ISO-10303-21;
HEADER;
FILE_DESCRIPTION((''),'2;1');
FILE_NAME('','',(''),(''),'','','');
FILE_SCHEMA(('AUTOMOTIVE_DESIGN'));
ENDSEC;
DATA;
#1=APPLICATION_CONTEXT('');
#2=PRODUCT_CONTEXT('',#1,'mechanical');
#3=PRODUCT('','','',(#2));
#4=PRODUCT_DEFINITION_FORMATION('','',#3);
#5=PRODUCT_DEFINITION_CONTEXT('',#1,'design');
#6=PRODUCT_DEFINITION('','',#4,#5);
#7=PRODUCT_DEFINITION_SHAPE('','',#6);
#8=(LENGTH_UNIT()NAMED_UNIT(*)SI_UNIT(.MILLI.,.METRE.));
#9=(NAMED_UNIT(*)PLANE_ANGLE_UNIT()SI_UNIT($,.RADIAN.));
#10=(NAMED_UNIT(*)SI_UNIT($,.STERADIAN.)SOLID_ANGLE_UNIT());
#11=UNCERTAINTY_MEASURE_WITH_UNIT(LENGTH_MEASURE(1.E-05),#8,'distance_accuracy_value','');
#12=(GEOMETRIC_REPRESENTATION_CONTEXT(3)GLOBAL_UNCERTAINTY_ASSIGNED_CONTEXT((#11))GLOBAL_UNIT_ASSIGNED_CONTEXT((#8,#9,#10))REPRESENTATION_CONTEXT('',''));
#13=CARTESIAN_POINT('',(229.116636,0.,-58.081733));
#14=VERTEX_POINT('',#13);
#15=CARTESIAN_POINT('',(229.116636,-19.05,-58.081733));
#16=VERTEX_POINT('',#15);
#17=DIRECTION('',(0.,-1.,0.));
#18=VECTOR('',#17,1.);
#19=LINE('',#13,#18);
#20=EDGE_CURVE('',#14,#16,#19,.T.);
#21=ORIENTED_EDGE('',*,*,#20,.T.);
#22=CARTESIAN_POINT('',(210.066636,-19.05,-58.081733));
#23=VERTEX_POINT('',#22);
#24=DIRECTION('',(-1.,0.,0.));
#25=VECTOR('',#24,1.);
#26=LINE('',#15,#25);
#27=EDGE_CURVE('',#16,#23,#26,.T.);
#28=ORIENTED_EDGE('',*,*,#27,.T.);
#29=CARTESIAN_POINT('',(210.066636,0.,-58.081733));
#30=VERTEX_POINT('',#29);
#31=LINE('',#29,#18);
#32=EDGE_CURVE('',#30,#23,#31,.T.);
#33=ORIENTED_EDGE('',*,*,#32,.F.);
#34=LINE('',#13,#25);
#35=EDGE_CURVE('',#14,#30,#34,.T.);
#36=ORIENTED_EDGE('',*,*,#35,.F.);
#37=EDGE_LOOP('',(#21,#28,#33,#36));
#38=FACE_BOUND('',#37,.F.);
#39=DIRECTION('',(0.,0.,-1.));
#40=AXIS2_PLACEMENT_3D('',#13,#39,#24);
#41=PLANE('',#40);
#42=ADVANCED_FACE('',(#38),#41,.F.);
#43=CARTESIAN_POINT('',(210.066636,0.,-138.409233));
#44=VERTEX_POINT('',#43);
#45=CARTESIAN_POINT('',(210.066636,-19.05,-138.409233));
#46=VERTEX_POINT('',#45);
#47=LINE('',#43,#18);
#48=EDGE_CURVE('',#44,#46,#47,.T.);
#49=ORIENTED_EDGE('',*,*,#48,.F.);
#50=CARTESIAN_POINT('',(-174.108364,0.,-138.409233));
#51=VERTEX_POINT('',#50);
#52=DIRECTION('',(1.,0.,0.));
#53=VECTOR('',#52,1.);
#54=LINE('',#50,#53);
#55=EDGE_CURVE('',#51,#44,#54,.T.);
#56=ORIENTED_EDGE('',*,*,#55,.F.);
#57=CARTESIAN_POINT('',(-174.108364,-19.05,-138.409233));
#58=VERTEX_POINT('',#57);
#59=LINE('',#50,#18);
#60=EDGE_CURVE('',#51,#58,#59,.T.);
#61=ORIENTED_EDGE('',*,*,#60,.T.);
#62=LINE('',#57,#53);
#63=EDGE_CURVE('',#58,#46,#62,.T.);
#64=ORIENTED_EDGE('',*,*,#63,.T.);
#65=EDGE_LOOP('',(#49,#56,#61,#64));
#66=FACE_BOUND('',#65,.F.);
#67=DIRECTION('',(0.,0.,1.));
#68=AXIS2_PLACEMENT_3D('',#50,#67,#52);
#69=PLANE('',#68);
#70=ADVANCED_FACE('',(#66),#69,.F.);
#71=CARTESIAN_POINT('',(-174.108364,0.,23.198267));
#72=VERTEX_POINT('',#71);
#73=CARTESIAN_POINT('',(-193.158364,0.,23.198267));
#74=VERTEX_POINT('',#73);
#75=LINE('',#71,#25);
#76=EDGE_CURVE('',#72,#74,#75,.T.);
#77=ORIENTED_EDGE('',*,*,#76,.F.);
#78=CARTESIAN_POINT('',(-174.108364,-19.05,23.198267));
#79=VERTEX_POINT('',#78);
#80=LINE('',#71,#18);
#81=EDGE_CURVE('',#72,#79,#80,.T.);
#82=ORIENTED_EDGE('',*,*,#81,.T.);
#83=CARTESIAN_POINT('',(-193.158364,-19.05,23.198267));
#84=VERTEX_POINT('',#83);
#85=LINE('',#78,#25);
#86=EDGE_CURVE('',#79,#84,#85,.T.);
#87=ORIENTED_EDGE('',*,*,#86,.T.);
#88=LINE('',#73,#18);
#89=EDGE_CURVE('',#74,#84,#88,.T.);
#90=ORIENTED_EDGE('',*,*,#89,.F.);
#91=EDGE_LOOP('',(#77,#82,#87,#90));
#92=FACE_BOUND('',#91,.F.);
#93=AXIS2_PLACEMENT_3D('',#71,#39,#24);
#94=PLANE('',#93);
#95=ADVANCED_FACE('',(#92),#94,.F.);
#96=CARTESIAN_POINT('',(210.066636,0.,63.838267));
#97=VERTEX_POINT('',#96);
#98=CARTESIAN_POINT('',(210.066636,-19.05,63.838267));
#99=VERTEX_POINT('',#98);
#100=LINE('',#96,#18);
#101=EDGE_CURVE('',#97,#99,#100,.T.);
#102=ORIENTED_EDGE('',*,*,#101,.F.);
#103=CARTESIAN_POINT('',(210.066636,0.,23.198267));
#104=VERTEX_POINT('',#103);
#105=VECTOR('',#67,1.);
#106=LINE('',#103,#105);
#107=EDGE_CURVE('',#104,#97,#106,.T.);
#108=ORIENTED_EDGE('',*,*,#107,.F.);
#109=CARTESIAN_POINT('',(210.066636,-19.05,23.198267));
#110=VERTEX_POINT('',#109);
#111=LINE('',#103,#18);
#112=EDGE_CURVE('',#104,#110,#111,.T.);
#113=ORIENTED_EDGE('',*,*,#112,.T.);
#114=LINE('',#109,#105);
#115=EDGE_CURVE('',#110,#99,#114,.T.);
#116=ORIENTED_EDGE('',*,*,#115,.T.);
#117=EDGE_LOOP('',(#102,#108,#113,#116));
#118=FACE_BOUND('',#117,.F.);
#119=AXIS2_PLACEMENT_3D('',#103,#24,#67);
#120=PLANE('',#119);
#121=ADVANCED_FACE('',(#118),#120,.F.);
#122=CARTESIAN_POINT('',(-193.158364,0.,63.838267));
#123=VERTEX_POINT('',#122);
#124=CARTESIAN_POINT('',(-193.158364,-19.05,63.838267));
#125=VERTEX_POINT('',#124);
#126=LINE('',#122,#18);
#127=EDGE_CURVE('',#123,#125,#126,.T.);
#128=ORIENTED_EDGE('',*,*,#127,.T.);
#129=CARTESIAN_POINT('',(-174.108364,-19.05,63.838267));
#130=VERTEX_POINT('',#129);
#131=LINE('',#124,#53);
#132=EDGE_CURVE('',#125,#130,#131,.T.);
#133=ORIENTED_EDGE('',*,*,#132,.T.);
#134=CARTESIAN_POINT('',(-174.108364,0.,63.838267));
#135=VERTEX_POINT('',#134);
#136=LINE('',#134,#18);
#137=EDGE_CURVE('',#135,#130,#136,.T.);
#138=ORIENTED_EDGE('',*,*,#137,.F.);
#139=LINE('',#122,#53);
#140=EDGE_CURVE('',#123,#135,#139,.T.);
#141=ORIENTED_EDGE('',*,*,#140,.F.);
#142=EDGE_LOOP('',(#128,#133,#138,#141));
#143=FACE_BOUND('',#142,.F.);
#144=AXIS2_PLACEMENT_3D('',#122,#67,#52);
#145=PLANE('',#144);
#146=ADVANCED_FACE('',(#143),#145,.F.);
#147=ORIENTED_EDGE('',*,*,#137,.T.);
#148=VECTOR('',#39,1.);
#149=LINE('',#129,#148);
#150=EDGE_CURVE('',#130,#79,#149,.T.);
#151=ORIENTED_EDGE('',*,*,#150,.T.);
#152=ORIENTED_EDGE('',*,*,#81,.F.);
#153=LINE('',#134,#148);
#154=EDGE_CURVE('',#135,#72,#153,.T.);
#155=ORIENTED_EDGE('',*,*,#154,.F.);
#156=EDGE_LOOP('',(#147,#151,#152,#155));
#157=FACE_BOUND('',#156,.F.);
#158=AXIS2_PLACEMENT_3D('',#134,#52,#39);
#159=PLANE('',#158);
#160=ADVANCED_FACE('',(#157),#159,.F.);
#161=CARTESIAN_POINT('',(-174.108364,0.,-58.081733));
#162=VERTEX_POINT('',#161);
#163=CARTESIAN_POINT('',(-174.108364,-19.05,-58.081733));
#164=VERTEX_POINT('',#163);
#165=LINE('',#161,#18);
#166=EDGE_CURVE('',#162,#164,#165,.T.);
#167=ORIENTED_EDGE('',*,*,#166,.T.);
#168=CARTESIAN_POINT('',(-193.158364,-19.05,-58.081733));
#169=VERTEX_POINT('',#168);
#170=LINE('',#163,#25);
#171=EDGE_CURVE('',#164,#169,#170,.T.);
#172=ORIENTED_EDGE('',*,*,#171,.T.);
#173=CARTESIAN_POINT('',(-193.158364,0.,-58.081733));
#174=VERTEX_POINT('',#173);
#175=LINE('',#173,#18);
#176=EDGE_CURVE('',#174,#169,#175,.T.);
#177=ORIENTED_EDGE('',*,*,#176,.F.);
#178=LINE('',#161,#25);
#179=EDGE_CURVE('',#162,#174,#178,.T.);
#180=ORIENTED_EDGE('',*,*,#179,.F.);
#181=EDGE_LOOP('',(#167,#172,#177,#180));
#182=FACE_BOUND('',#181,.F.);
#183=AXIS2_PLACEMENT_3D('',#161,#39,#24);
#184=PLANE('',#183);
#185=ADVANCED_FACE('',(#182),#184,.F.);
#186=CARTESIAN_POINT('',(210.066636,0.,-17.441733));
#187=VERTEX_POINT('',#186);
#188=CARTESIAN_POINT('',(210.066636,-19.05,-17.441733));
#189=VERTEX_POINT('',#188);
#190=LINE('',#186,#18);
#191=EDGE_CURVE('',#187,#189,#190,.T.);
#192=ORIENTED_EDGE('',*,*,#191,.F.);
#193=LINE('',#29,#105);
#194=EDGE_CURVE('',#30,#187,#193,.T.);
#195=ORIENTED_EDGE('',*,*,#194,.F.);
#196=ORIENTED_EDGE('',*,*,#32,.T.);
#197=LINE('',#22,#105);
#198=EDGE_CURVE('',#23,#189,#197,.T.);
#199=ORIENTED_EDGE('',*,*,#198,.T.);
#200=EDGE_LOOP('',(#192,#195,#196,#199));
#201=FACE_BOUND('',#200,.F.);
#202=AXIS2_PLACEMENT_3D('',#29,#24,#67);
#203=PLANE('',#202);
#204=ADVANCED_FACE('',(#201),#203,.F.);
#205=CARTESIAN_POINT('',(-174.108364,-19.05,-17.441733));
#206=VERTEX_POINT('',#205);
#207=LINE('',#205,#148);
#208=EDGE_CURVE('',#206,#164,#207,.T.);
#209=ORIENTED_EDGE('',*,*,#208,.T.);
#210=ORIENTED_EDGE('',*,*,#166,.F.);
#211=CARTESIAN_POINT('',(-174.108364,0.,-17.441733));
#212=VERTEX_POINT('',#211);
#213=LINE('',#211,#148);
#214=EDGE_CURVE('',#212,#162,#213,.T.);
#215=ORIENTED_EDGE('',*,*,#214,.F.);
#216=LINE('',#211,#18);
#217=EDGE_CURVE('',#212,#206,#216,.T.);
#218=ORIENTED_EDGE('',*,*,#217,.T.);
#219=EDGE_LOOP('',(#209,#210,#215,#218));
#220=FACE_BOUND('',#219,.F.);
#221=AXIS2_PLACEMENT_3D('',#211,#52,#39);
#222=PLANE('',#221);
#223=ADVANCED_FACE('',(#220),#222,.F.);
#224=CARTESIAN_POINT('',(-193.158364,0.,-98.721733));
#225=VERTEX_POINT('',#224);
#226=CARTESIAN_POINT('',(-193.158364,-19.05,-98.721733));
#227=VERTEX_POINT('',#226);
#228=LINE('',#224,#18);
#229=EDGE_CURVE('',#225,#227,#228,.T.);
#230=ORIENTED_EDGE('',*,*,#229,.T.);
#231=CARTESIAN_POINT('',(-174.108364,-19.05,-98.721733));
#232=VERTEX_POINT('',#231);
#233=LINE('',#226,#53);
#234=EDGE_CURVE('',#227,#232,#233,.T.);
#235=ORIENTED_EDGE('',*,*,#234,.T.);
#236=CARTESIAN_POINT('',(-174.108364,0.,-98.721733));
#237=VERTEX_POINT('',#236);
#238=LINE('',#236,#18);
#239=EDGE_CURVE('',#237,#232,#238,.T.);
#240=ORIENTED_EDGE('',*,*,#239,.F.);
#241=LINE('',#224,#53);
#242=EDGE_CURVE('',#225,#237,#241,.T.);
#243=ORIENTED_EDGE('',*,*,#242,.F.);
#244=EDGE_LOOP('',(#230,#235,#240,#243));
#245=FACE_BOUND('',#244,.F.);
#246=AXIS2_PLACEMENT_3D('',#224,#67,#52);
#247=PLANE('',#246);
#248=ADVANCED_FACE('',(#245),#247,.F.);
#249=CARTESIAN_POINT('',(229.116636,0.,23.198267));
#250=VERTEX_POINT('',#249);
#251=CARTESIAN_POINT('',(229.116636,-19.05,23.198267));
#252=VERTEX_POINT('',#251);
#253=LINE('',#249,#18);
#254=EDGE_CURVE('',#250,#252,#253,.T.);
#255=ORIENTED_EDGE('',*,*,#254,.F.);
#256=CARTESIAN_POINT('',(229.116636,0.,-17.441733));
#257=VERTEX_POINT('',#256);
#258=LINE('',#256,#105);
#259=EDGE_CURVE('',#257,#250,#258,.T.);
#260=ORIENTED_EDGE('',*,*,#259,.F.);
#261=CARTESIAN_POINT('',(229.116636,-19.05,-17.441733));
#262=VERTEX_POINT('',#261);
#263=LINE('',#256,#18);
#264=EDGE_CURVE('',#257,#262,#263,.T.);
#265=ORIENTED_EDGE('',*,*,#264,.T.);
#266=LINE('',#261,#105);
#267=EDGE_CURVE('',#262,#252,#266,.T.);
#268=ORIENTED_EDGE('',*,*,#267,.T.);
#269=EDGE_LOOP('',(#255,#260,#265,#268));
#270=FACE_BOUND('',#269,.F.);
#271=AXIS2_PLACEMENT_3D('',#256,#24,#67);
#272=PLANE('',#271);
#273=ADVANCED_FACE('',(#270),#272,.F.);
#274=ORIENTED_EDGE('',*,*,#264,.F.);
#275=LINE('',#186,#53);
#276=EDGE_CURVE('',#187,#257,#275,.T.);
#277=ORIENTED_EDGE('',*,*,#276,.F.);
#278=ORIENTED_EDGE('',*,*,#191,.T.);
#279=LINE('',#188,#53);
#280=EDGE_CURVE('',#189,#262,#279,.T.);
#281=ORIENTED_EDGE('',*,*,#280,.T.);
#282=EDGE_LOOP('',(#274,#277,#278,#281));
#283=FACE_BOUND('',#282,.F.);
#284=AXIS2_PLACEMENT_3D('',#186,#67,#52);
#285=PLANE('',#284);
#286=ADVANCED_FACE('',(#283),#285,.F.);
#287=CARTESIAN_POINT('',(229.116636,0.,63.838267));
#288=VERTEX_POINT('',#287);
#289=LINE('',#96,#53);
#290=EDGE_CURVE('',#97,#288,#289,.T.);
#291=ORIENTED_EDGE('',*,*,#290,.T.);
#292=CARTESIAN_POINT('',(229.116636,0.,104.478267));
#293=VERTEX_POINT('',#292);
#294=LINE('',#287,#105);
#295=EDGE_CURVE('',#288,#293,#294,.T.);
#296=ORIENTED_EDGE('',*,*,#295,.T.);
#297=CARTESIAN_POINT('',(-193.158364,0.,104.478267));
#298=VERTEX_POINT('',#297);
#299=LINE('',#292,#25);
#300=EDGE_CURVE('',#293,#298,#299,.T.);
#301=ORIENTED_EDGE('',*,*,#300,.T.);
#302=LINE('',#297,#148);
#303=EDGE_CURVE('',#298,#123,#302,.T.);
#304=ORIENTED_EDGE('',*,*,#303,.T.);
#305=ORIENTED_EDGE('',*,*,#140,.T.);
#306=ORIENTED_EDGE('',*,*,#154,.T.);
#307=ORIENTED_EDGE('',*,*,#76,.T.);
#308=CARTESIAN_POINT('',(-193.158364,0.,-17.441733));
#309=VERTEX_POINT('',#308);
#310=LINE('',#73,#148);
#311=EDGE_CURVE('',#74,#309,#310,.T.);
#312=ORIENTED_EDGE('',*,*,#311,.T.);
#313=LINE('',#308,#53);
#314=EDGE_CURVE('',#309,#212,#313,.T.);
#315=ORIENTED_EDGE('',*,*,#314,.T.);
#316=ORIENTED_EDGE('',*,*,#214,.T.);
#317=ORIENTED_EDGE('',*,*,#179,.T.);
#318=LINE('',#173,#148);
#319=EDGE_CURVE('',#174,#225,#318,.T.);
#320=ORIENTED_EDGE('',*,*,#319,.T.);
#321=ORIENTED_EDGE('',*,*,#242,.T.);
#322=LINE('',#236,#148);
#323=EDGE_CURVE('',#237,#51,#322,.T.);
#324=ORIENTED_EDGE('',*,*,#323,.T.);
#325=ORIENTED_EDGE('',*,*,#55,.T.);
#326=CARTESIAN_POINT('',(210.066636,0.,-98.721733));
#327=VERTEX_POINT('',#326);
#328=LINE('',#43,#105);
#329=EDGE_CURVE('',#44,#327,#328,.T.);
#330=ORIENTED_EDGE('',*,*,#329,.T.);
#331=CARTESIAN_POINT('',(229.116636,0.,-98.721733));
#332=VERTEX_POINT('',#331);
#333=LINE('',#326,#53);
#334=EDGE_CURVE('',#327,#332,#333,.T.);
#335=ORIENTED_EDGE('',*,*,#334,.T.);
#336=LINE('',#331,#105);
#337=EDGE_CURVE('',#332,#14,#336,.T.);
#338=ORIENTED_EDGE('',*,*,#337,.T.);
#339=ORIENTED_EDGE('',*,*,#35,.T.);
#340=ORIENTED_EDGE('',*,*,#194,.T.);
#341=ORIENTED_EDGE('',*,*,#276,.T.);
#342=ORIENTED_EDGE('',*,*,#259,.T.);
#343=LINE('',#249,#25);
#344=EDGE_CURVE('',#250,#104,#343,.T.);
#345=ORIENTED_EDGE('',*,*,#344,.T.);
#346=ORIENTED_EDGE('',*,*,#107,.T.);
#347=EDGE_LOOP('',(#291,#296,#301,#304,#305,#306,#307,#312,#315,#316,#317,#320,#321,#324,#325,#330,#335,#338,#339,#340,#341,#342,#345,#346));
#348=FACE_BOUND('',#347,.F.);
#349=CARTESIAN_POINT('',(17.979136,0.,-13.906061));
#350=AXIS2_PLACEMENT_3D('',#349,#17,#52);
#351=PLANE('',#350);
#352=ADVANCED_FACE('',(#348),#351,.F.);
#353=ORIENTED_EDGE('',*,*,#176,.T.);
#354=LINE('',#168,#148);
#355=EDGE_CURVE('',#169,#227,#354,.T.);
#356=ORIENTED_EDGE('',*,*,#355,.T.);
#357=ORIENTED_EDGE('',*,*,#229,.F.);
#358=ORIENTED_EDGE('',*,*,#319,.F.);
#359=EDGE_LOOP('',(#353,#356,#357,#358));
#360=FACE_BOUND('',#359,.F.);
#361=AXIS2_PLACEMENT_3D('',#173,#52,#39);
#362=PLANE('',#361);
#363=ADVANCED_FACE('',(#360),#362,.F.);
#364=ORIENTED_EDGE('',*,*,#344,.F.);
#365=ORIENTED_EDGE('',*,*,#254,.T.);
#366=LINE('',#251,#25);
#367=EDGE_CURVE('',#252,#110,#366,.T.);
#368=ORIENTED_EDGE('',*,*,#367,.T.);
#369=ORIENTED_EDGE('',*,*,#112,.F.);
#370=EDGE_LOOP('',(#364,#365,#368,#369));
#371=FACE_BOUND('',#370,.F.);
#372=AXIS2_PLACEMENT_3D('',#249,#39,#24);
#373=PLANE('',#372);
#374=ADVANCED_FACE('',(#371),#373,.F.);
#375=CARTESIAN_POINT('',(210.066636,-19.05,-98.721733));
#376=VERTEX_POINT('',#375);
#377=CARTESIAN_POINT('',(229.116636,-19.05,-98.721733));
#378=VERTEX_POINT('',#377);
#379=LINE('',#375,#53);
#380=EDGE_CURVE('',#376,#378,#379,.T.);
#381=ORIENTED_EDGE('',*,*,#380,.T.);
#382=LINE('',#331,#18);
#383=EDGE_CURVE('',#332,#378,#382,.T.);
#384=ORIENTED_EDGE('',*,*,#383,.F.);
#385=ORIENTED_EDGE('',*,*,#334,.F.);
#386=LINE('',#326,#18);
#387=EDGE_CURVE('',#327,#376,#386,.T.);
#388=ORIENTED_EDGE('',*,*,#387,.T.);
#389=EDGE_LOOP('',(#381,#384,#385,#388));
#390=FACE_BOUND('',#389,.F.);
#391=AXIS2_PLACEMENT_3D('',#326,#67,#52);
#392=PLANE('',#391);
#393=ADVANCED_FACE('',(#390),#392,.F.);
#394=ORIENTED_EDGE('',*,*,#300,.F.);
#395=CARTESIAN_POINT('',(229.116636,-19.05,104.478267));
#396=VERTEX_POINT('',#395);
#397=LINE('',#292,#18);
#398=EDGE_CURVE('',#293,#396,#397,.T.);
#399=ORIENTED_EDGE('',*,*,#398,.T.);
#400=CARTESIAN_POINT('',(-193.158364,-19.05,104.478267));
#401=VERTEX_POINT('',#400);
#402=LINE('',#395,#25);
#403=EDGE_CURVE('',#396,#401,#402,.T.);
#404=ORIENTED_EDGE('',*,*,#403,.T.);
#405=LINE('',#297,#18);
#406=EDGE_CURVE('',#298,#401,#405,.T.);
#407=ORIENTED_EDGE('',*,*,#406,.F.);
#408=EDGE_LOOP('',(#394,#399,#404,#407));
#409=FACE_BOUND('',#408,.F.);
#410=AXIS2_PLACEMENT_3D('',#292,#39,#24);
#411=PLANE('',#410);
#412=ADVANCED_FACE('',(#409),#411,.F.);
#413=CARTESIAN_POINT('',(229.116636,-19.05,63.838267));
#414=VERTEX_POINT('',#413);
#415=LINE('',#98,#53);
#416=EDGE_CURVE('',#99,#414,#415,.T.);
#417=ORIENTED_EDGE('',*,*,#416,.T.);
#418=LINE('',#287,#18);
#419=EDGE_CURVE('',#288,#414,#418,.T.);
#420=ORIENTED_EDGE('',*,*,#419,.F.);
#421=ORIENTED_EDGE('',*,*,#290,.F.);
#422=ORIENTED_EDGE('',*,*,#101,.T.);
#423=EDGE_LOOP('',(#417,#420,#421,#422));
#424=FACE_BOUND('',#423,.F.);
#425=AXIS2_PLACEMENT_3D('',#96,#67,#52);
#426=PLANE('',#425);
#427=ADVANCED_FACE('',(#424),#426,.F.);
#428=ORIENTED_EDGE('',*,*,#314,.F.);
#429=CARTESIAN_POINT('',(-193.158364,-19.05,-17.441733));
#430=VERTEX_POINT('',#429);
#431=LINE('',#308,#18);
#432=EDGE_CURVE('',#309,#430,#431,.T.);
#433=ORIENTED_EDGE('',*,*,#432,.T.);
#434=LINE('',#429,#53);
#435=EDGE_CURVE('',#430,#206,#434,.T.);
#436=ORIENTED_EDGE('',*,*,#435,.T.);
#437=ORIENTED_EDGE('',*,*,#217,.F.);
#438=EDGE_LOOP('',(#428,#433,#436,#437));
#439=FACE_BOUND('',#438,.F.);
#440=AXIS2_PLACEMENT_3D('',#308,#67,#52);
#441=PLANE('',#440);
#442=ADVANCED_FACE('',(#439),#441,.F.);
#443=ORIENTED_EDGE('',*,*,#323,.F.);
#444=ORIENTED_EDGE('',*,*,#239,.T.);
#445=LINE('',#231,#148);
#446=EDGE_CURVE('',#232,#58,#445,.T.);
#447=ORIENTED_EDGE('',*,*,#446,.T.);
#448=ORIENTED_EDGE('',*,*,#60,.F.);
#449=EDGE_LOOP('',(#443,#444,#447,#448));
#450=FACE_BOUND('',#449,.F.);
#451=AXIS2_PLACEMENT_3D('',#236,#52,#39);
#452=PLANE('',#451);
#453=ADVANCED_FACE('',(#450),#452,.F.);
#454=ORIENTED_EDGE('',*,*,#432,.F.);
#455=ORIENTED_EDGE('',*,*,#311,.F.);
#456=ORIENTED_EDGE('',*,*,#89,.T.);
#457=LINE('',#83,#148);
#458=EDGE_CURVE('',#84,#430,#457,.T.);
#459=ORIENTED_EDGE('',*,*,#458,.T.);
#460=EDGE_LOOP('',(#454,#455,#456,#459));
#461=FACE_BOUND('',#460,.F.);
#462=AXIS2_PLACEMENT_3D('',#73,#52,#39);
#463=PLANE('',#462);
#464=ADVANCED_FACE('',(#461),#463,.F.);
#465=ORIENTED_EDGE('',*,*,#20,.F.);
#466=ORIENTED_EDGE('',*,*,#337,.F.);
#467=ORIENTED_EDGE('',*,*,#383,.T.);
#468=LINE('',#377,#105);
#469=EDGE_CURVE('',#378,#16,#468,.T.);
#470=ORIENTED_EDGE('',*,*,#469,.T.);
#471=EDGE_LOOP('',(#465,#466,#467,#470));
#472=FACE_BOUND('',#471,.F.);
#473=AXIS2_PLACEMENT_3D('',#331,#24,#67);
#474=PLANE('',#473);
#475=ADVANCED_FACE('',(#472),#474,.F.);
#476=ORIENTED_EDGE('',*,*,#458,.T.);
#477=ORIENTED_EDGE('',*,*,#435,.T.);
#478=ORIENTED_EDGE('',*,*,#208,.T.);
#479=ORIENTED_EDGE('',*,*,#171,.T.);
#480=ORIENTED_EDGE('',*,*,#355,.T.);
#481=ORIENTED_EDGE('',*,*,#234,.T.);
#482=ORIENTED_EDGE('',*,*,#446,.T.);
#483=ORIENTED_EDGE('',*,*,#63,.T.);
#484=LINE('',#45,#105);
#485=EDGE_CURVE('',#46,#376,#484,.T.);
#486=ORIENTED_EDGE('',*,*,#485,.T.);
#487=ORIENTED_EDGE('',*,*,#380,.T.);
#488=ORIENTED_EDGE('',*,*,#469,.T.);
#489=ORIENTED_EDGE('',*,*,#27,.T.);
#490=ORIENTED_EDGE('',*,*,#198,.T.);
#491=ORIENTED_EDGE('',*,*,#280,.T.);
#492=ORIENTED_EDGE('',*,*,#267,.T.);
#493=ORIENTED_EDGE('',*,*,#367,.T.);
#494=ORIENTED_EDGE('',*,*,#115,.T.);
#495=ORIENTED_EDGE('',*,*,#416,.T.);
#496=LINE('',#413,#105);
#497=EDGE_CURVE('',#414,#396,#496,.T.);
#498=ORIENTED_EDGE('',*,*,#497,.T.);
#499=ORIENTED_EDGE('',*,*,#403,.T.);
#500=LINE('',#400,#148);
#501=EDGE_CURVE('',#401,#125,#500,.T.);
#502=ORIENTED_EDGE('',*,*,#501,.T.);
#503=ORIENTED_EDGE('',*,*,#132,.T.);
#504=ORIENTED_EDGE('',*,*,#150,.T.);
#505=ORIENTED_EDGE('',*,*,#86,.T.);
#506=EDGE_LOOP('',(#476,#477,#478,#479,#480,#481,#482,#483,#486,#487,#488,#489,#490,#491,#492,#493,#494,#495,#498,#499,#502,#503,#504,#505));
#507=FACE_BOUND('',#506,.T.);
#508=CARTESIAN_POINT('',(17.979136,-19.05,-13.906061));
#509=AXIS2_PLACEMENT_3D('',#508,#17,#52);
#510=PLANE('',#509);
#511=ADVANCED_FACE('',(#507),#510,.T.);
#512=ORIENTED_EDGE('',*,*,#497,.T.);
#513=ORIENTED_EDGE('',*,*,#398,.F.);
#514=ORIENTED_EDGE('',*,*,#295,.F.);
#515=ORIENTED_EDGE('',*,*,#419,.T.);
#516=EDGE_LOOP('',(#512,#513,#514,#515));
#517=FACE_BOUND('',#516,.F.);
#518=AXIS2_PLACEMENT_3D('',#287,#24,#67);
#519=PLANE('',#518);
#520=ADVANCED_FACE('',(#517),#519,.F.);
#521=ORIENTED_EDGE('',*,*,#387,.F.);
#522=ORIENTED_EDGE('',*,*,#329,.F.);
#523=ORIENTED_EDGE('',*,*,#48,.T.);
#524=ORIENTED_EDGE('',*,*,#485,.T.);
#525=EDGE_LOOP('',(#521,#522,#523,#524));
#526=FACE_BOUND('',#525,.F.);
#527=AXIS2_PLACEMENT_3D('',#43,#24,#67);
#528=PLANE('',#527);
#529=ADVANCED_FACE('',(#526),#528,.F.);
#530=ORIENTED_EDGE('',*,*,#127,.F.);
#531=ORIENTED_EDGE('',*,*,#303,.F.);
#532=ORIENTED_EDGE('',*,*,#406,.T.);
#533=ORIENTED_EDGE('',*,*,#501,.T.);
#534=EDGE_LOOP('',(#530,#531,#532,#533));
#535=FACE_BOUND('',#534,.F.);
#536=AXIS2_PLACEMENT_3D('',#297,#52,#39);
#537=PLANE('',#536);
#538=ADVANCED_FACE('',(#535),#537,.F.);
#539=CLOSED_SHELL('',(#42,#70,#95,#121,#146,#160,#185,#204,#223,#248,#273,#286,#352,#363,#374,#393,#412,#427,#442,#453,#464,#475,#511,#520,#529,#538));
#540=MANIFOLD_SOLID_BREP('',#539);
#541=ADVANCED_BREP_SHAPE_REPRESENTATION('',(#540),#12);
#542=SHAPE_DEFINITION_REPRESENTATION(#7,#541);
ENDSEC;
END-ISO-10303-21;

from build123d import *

# Parameters (mm, degrees)
F1_DEPTH = 19.05


with BuildPart() as f1:
    # F0 (on Front) → F1 (new body)
    with BuildSketch(Plane.XZ):
        Polygon((-193.158364, 104.478267), (-193.158364, 63.838267), (-174.108364, 63.838267), (-174.108364, 23.198267), (-193.158364, 23.198267), (-193.158364, -17.441733), (-174.108364, -17.441733), (-174.108364, -58.081733), (-193.158364, -58.081733), (-193.158364, -98.721733), (-174.108364, -98.721733), (-174.108364, -138.409233), (210.066636, -138.409233), (210.066636, -98.721733), (229.116636, -98.721733), (229.116636, -58.081733), (210.066636, -58.081733), (210.066636, -17.441733), (229.116636, -17.441733), (229.116636, 23.198267), (210.066636, 23.198267), (210.066636, 63.838267), (229.116636, 63.838267), (229.116636, 104.478267), align=None)
    extrude(amount=F1_DEPTH)


solid = f1.part
